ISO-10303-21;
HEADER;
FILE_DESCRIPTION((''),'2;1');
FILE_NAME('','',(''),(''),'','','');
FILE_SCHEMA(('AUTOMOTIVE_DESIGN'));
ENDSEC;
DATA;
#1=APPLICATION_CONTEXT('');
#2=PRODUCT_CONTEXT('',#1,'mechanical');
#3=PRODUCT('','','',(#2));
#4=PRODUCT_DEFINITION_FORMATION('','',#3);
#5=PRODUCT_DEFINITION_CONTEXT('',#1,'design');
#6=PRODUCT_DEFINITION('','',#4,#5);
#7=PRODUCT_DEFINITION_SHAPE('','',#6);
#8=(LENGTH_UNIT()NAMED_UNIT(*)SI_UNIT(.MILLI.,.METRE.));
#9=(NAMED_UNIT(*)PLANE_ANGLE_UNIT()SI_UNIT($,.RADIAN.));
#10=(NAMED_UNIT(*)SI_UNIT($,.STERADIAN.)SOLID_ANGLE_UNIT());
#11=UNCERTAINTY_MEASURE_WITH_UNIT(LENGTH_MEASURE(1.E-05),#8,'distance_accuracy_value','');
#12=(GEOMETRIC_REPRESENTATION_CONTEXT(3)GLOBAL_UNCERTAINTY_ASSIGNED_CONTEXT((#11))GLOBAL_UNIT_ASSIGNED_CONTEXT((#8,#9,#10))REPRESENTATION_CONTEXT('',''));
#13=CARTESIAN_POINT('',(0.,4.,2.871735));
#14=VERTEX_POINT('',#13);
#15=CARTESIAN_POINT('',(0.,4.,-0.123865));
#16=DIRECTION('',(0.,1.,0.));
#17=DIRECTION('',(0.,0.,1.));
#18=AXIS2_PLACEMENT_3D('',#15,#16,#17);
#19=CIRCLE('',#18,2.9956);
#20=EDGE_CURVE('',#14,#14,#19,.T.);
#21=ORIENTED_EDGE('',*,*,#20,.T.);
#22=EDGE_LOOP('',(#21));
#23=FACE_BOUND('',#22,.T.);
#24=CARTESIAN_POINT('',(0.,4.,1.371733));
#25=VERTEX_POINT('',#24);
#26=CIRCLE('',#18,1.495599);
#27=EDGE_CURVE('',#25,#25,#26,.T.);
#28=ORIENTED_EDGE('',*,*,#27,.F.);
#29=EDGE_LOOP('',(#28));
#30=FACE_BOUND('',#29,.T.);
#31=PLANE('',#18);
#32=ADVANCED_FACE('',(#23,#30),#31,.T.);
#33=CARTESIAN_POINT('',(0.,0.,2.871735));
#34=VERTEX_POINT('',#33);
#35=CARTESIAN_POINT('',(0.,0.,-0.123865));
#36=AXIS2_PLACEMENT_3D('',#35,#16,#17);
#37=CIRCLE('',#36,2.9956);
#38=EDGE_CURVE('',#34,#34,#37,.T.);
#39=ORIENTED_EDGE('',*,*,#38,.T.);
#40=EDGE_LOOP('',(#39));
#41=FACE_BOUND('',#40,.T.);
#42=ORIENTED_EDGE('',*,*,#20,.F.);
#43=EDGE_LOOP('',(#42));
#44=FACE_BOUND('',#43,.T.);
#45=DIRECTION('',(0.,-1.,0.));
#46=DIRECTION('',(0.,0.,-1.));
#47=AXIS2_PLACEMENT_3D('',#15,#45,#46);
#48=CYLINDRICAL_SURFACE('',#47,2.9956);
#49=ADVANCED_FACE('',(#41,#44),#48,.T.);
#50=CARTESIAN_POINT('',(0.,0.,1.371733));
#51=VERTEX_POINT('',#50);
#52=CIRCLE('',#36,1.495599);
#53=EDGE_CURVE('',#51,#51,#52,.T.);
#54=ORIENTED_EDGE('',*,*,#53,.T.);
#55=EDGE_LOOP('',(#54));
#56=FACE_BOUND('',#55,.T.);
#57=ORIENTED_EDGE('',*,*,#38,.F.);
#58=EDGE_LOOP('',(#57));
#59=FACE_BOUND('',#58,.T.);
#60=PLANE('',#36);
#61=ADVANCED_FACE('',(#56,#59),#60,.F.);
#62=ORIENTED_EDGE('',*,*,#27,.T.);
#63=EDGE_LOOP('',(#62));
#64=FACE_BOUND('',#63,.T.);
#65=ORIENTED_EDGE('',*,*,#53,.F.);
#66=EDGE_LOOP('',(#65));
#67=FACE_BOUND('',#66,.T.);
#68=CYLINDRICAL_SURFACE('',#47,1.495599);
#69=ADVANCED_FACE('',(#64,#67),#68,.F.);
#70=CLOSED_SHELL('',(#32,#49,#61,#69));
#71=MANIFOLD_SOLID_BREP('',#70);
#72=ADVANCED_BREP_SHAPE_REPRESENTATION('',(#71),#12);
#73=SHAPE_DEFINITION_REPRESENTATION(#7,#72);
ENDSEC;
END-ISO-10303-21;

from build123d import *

# Parameters (mm, degrees)
CROQUIS1_R              = 2.99560024
CROQUIS1_R_2            = 1.495598695
SALIENTE_EXTRUIR1_DEPTH = 4


with BuildPart() as part:
    # Croquis1 → Saliente-Extruir1 (new body)
    with BuildSketch(Plane(origin=(0, 0, 0), x_dir=(1, 0, 0), z_dir=(0, 1, 0))):
        with Locations((0, 0.123865495)):
            Circle(CROQUIS1_R)
        with Locations((1.32e-07, 0.123865455)):
            Circle(CROQUIS1_R_2, mode=Mode.SUBTRACT)
    extrude(amount=SALIENTE_EXTRUIR1_DEPTH)


solid = part.part
